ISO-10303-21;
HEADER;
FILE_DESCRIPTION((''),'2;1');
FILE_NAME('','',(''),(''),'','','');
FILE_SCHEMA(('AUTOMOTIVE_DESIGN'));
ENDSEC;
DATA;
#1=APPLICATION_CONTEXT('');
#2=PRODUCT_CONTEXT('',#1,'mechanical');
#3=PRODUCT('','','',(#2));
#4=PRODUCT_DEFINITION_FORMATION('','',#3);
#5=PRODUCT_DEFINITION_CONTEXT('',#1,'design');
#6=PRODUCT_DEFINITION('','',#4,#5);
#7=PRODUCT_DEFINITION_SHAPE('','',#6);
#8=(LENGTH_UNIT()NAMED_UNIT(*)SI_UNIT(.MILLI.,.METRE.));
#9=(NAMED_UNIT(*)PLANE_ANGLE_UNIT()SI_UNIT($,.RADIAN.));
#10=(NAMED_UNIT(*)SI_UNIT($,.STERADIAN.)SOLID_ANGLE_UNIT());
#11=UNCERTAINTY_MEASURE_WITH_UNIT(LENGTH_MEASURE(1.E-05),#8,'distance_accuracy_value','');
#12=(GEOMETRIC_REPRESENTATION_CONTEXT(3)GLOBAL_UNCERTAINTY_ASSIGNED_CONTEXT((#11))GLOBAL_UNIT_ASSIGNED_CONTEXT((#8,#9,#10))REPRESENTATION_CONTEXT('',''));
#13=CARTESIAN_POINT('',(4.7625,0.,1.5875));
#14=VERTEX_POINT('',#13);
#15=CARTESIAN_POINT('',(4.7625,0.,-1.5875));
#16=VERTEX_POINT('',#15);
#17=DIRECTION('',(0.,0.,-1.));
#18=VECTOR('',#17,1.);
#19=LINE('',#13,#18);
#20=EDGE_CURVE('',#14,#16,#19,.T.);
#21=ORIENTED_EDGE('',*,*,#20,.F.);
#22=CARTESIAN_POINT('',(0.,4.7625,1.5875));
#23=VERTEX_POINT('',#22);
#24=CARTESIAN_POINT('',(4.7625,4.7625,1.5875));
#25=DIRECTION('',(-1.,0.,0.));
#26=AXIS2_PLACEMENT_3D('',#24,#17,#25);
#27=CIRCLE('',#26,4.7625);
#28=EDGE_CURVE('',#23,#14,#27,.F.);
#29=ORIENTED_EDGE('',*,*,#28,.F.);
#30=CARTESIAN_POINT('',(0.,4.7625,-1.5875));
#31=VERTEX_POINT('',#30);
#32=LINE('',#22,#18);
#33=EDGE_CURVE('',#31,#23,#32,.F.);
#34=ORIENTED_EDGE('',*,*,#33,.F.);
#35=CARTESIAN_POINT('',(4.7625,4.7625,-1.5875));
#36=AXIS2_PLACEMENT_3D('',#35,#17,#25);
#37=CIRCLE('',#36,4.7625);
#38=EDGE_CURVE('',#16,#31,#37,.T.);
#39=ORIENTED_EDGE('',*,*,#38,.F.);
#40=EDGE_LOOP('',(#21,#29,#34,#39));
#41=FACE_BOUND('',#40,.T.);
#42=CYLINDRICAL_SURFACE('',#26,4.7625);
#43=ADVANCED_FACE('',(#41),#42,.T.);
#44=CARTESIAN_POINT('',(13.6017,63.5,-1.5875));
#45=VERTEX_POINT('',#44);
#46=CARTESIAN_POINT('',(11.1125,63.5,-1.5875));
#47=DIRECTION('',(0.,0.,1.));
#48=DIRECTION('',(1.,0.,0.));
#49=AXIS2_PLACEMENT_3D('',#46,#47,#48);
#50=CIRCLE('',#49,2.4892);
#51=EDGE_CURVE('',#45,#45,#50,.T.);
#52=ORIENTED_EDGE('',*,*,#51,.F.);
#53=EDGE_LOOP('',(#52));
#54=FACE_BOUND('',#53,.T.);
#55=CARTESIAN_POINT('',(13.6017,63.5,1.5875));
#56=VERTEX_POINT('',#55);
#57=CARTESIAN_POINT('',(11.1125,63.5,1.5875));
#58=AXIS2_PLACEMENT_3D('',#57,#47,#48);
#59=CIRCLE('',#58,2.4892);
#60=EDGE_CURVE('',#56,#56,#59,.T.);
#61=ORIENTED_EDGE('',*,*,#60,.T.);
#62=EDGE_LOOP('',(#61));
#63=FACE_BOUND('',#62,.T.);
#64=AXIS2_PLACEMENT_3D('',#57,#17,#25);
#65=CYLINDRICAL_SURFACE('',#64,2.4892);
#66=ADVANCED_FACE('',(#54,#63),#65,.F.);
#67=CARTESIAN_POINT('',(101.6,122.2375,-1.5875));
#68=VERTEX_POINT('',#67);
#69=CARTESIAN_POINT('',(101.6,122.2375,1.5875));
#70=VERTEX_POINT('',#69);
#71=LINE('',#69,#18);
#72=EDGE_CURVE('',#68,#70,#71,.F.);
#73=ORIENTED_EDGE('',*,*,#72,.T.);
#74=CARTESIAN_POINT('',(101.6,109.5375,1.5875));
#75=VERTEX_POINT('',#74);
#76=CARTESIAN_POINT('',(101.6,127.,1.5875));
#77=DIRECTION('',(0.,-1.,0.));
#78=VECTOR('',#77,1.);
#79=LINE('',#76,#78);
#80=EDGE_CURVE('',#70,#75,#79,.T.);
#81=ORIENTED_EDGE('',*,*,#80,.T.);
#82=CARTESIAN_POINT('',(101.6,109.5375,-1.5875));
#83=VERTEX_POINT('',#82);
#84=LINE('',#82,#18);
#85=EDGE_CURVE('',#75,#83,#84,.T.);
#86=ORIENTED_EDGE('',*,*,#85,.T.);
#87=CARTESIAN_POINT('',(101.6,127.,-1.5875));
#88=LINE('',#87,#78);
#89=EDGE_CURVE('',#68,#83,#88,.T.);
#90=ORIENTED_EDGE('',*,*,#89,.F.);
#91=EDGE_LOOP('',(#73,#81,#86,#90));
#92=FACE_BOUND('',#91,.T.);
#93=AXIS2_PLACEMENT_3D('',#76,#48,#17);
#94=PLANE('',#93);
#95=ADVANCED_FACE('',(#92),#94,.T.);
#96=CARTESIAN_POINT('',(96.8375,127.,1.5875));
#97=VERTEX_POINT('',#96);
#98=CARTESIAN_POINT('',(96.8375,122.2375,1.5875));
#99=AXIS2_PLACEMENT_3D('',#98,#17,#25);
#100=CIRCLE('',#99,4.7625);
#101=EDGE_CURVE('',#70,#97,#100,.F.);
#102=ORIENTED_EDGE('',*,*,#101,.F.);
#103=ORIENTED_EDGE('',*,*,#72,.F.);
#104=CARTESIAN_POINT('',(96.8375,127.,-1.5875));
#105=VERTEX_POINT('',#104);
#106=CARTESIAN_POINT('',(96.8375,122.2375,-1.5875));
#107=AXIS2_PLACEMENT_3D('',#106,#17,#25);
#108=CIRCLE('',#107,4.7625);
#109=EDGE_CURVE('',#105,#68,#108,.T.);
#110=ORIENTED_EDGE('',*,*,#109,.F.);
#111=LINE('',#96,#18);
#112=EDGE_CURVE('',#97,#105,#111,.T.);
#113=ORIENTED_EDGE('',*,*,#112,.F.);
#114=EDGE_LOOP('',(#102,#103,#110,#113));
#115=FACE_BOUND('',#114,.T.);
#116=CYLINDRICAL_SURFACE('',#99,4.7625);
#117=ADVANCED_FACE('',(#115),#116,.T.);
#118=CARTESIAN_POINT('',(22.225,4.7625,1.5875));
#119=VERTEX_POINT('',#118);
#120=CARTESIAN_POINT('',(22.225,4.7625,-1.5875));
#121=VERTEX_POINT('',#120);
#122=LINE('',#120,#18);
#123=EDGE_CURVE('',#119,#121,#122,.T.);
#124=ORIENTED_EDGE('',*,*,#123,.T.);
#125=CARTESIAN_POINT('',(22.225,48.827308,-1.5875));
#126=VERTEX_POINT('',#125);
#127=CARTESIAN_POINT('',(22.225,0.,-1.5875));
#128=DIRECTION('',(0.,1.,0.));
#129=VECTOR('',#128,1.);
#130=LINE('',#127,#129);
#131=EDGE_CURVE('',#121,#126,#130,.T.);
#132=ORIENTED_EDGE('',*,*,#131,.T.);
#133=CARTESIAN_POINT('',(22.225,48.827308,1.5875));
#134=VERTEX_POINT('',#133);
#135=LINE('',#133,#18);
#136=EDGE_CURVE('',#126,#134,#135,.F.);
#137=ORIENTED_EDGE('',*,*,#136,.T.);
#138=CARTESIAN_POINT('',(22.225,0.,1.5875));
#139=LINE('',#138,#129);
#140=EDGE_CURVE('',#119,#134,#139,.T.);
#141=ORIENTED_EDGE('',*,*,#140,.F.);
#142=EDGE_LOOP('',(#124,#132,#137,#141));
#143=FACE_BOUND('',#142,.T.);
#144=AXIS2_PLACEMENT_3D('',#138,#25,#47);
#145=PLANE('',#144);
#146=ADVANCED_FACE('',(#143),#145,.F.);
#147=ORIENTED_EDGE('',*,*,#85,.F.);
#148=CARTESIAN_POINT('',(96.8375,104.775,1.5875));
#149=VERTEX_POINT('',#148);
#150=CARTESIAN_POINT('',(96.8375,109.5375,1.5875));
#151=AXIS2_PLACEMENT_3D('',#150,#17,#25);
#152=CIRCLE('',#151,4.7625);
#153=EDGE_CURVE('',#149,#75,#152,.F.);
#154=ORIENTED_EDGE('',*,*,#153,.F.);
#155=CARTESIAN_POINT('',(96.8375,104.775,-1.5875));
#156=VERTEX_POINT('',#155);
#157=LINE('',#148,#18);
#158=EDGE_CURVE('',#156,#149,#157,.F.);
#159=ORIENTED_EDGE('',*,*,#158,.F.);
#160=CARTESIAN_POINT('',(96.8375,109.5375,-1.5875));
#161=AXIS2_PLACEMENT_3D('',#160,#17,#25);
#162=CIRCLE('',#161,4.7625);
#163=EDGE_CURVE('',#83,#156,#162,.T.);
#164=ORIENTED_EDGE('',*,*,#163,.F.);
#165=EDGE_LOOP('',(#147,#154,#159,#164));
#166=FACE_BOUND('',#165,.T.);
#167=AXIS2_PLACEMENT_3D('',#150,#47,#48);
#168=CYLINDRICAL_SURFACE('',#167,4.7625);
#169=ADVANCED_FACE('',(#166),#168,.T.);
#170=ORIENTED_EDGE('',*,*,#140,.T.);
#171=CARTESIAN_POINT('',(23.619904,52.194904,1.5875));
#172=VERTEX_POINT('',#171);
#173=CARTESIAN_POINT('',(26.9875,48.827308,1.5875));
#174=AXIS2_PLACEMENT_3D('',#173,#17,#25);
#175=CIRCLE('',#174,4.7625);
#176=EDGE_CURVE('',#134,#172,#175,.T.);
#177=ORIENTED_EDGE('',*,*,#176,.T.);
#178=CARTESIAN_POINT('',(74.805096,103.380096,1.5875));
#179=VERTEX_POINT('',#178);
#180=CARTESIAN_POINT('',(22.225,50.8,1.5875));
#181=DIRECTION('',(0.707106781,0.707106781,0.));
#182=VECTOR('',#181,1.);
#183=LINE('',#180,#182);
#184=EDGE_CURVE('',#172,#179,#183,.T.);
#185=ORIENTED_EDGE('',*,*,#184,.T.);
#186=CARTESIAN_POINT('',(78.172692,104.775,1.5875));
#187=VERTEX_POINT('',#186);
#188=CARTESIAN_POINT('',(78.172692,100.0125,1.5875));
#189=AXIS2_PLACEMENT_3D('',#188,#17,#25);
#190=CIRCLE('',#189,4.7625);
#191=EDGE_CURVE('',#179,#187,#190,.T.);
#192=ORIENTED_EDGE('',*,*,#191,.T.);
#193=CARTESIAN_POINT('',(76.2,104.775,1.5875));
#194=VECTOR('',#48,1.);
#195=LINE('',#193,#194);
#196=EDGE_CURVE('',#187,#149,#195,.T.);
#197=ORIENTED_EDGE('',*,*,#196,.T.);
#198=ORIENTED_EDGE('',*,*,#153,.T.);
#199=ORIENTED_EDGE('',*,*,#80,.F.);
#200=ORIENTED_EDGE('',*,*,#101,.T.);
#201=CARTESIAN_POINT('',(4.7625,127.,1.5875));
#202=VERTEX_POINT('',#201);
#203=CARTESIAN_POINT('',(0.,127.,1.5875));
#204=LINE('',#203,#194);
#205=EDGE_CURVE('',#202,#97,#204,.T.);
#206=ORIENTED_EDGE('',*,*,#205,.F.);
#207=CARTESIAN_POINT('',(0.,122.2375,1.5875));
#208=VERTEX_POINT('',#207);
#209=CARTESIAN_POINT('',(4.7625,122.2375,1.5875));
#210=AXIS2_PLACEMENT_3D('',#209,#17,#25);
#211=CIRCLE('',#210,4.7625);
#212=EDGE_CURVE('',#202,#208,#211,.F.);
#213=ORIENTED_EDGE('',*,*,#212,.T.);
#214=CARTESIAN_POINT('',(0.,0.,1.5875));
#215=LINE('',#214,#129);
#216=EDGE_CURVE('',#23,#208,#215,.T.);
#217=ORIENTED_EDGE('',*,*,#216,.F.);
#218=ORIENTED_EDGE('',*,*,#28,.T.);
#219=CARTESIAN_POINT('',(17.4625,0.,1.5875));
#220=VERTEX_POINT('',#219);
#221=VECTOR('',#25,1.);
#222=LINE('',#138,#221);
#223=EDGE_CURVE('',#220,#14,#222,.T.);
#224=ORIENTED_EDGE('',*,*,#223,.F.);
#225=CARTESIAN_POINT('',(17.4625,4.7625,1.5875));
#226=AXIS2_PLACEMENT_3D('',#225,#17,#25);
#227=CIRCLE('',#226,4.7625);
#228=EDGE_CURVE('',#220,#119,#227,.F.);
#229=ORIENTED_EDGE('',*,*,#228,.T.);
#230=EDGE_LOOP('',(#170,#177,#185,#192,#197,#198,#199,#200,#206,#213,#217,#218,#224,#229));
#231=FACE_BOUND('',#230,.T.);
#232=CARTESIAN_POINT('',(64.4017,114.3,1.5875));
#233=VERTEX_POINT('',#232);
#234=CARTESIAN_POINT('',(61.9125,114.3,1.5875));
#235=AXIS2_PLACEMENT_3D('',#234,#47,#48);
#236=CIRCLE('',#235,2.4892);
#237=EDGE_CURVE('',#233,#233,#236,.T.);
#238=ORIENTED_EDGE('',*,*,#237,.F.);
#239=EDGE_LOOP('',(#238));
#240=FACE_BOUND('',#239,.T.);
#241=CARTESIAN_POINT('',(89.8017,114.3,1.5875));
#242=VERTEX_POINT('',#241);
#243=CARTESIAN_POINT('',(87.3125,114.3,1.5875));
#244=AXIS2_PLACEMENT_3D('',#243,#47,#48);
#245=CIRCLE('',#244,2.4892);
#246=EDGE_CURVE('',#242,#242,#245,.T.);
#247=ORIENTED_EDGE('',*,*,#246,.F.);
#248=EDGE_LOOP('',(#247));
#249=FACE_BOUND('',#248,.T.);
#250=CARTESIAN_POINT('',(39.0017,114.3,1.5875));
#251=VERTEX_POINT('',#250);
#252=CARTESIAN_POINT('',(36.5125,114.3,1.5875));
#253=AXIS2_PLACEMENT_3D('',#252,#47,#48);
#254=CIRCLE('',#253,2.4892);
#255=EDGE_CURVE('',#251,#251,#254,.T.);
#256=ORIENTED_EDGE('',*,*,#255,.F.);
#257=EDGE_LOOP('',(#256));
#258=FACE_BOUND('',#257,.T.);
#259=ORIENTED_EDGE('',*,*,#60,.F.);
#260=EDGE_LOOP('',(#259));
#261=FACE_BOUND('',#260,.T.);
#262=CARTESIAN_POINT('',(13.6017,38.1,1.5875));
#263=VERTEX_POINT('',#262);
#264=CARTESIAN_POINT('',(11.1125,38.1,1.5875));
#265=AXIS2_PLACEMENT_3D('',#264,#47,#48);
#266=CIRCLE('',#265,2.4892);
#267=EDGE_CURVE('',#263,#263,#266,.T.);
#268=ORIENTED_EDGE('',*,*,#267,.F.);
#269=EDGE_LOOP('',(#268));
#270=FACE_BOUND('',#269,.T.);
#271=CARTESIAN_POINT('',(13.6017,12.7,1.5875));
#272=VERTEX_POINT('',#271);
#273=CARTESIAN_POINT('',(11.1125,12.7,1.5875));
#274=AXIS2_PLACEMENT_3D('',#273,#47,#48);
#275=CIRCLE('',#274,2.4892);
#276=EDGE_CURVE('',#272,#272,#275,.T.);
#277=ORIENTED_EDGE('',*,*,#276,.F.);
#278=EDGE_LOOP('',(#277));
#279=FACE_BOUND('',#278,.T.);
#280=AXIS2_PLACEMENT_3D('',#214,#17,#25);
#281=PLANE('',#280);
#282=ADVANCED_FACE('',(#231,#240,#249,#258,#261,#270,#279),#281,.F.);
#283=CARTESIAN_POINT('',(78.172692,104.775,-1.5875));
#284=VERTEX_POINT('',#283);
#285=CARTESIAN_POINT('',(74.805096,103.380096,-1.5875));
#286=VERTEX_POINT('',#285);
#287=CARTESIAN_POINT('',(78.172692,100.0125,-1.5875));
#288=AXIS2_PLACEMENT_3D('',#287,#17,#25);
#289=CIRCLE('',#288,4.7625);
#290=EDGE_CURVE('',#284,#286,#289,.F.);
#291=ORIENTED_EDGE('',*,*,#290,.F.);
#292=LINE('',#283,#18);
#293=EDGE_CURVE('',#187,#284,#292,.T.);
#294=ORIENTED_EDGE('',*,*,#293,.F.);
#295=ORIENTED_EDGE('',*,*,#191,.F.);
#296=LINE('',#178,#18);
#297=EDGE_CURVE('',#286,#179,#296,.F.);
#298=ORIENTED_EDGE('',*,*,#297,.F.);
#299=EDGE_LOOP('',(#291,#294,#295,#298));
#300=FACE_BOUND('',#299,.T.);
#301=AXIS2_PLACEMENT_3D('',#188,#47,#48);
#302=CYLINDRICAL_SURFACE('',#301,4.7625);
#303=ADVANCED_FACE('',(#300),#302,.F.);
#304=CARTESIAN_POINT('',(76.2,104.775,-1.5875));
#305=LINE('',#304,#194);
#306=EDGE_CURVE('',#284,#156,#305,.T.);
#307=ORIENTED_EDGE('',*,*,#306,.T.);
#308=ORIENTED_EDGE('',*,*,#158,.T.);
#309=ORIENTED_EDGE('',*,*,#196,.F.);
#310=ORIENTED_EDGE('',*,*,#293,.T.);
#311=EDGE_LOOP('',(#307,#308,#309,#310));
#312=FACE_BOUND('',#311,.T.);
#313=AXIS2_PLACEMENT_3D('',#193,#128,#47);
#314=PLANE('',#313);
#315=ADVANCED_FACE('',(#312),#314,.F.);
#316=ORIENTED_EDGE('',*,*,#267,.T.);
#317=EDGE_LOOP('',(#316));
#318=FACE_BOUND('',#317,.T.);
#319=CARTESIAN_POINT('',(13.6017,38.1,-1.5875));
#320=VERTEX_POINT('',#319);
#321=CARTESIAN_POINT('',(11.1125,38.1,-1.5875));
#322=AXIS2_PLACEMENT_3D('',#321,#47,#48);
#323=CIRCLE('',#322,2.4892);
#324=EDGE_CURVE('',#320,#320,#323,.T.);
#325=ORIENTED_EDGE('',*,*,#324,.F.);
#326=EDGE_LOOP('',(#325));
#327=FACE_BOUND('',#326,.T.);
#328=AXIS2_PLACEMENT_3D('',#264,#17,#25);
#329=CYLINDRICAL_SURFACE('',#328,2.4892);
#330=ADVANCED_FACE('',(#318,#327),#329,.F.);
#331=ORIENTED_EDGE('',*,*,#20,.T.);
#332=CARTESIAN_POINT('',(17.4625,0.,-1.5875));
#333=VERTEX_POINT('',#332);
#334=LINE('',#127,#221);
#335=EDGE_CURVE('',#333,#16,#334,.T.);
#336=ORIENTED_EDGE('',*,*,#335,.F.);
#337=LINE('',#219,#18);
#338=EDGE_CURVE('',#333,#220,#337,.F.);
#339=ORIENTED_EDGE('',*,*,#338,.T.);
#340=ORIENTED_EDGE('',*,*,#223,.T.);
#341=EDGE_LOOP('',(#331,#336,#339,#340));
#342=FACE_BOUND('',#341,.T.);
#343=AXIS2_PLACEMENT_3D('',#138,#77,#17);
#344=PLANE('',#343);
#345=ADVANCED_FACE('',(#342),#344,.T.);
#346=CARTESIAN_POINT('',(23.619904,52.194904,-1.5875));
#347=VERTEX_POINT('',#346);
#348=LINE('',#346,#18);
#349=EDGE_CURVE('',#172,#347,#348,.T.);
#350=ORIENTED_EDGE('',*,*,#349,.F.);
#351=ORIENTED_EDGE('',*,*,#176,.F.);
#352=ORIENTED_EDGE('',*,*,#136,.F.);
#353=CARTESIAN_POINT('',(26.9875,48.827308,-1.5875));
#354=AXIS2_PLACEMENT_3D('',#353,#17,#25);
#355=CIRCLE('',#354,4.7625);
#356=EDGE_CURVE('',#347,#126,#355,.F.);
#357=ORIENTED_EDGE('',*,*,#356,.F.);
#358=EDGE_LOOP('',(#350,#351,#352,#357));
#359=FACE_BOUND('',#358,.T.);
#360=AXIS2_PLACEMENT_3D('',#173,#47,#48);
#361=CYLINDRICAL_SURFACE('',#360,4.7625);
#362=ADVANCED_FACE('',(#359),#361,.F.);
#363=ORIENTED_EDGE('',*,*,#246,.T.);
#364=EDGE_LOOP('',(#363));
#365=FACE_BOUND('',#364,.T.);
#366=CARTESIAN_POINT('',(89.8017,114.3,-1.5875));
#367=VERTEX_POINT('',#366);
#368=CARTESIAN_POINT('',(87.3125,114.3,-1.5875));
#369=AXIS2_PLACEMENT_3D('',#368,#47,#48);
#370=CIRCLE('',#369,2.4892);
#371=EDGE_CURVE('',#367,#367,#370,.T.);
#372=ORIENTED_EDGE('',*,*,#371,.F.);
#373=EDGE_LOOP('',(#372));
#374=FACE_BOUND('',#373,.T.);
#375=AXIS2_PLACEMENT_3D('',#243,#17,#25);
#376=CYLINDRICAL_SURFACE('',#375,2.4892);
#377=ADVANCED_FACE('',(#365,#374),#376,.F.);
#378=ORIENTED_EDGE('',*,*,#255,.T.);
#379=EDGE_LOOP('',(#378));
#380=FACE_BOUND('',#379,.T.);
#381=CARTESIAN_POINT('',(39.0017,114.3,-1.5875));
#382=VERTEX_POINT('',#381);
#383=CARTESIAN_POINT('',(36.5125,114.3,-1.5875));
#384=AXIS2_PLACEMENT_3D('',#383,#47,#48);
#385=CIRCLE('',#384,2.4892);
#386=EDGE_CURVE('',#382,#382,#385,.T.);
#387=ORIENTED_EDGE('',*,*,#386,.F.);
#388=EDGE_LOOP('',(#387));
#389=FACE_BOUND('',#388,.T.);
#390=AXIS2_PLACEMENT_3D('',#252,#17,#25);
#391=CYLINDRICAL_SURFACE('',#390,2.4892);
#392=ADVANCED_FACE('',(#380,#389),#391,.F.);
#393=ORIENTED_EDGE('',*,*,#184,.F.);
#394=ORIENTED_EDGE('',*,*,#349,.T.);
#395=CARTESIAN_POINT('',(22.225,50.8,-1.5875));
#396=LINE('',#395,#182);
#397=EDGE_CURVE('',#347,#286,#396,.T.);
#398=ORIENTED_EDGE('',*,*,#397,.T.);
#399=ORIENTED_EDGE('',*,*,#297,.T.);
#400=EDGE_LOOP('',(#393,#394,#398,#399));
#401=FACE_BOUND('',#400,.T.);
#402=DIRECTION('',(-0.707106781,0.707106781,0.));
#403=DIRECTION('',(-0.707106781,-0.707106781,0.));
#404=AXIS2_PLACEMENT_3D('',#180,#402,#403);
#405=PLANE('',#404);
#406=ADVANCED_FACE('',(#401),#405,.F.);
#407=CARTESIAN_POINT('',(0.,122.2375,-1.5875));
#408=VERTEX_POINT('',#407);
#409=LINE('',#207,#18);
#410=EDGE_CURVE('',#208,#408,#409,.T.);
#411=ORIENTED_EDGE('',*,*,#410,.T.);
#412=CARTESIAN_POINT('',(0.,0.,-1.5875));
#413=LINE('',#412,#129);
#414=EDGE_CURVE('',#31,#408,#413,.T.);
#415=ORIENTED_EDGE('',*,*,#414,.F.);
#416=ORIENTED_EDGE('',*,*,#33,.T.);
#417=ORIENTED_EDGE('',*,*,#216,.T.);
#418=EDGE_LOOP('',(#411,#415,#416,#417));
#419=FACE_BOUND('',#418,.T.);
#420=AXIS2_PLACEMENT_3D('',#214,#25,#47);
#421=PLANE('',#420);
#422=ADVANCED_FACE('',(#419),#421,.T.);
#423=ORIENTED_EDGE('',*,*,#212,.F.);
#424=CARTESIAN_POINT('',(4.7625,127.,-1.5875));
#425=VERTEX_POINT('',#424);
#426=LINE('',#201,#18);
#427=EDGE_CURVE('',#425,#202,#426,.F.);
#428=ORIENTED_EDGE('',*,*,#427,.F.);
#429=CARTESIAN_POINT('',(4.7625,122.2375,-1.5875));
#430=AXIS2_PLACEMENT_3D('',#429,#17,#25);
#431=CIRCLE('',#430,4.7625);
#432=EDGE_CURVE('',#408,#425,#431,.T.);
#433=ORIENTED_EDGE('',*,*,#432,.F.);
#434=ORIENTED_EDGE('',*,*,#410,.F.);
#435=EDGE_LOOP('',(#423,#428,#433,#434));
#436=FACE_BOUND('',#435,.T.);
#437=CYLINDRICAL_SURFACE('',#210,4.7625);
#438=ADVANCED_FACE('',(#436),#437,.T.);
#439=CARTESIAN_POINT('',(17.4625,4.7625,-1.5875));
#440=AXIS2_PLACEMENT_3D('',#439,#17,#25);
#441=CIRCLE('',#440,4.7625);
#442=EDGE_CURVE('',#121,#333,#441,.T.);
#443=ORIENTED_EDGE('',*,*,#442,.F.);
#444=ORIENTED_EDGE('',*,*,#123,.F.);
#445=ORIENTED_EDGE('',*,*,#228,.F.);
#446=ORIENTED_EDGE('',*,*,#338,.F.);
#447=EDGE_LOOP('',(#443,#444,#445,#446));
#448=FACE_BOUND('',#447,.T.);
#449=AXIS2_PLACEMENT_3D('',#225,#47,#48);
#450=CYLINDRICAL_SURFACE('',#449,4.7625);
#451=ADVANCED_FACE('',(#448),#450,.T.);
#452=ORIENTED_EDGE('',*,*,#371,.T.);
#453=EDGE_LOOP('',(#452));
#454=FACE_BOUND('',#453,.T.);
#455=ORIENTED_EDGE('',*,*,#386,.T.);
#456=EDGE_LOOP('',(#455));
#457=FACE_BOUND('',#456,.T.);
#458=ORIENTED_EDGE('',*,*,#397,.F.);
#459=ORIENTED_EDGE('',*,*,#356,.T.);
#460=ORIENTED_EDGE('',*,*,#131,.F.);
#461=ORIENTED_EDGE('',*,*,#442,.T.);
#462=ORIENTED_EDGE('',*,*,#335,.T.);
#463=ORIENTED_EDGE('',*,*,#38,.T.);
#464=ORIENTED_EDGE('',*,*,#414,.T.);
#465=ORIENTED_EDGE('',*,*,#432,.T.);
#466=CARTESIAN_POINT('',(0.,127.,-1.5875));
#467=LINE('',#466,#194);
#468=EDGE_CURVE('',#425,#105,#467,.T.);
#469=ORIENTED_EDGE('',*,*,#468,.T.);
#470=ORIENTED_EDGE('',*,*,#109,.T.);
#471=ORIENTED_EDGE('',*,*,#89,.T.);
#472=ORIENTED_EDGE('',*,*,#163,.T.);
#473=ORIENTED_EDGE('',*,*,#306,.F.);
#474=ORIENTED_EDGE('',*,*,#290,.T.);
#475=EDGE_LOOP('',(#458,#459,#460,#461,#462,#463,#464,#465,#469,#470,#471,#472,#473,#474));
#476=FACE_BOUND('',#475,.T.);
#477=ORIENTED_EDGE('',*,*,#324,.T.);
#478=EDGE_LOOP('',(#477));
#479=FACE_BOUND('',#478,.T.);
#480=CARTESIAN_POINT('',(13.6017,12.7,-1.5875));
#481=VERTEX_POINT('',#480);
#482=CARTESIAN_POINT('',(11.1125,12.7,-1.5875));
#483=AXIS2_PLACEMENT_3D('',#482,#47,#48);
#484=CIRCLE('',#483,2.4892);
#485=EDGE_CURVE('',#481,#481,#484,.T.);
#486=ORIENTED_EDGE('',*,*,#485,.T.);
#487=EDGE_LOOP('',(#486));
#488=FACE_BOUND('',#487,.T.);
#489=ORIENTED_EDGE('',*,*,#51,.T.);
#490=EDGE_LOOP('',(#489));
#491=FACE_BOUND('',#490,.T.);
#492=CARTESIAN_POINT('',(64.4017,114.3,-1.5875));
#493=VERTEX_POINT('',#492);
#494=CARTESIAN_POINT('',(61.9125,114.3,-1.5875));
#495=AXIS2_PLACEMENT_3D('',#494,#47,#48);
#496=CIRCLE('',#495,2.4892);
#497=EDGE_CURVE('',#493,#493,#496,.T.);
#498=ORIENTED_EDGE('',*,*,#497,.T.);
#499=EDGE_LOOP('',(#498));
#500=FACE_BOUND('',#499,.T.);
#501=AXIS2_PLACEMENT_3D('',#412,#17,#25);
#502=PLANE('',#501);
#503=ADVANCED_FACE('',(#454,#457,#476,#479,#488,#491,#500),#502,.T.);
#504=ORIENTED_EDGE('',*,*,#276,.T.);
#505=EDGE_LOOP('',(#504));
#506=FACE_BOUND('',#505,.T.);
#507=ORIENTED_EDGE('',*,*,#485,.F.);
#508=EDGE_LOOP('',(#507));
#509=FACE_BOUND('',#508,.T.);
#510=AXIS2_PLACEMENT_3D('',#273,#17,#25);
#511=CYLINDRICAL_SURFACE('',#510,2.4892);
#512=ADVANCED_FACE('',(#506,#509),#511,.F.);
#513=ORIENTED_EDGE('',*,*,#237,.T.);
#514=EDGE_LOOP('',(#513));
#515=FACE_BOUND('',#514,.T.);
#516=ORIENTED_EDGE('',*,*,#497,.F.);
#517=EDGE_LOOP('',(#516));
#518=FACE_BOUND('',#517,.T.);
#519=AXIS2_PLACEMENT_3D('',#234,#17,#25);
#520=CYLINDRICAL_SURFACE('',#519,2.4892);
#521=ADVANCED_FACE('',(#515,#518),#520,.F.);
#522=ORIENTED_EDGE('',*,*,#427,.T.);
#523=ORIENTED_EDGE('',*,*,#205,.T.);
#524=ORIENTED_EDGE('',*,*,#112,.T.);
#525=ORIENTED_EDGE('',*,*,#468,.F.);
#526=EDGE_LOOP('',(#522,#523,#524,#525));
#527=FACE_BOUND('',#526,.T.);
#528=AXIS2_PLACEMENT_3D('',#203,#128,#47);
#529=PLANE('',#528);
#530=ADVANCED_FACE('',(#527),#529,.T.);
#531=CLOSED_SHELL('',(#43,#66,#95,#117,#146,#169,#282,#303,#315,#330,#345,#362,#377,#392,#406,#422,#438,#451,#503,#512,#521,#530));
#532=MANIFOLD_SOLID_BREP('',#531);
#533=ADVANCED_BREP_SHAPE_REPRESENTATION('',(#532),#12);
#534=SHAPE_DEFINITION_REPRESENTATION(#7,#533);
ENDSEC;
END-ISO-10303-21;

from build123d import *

# Parameters (mm, degrees)
SKETCH1_R           = 2.4892
BOSS_EXTRUDE1_DEPTH = 1.5875
FILLET1_R           = 4.7625


with BuildPart() as part:
    # Sketch1 → Boss-Extrude1 (new, symmetric)
    with BuildSketch(Plane.XY):
        Polygon((0, 0), (0, 127), (101.6, 127), (101.6, 104.775), (76.2, 104.775), (22.225, 50.8), (22.225, 0), align=None)
        with Locations((11.1125, 63.5)):
            Circle(SKETCH1_R, mode=Mode.SUBTRACT)
        with Locations((11.1125, 38.1)):
            Circle(SKETCH1_R, mode=Mode.SUBTRACT)
        with Locations((11.1125, 12.7)):
            Circle(SKETCH1_R, mode=Mode.SUBTRACT)
        with Locations((87.3125, 114.3)):
            Circle(SKETCH1_R, mode=Mode.SUBTRACT)
        with Locations((61.9125, 114.3)):
            Circle(SKETCH1_R, mode=Mode.SUBTRACT)
        with Locations((36.5125, 114.3)):
            Circle(SKETCH1_R, mode=Mode.SUBTRACT)
    extrude(amount=BOSS_EXTRUDE1_DEPTH, both=True)

    # Fillet1
    fillet1_edges = [part.edges().sort_by_distance(p)[0] for p in [
        (22.225, 0, 0),
        (22.225, 50.8, 0),
        (76.2, 104.775, 0),
        (101.6, 104.775, 0),
        (101.6, 127, 0),
        (0, 127, 0),
        (0, 0, 0),
    ]]
    fillet(fillet1_edges, radius=FILLET1_R)


solid = part.part
